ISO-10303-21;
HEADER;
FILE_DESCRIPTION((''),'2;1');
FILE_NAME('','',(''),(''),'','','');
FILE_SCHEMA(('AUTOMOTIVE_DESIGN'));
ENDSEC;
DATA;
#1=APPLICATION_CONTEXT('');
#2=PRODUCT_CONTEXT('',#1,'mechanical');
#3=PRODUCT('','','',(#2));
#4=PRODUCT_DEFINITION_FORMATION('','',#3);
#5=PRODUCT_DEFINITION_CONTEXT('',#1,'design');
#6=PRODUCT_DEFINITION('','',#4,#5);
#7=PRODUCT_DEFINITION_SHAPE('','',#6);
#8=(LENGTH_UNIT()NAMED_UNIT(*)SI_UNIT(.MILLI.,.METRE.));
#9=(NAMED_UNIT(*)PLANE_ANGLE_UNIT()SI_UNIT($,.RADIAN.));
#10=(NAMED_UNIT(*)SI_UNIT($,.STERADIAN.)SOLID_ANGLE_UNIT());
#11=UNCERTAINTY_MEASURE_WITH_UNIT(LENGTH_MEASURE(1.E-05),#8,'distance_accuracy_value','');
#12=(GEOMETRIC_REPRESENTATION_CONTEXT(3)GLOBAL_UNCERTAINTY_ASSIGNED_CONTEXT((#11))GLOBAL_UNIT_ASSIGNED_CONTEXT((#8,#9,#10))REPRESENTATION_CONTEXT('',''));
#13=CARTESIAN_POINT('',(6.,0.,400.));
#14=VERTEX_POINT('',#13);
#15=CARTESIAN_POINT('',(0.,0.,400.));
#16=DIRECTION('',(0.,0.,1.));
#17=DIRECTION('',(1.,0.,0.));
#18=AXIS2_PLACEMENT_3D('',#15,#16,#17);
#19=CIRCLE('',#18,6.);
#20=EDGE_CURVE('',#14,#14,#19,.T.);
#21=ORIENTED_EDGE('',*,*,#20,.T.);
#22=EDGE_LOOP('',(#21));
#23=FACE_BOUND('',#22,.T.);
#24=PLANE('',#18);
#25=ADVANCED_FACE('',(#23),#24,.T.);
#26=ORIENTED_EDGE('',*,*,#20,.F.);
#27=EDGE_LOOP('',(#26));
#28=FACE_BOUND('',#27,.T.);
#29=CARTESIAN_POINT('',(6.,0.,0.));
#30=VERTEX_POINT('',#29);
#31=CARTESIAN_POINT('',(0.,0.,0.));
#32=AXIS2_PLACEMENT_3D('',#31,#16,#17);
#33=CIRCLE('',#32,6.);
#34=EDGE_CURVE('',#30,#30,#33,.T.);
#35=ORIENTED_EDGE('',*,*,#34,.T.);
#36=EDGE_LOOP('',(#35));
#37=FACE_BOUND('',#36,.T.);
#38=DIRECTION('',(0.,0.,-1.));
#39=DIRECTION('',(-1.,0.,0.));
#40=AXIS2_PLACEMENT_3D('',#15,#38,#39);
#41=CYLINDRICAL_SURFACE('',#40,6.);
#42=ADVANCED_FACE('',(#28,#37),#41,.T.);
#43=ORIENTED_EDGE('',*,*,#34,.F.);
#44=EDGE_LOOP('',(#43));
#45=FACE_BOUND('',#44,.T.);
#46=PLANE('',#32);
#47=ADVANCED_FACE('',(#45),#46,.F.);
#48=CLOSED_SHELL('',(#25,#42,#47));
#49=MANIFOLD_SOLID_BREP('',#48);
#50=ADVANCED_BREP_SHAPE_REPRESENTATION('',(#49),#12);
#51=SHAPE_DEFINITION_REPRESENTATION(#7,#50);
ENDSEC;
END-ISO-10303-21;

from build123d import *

# Parameters (mm, degrees)
SKETCH1_R           = 6
BOSS_EXTRUDE1_DEPTH = 400


with BuildPart() as part:
    # Sketch1 → Boss-Extrude1 (new body)
    with BuildSketch(Plane.XY):
        Circle(SKETCH1_R)
    extrude(amount=BOSS_EXTRUDE1_DEPTH)


solid = part.part
